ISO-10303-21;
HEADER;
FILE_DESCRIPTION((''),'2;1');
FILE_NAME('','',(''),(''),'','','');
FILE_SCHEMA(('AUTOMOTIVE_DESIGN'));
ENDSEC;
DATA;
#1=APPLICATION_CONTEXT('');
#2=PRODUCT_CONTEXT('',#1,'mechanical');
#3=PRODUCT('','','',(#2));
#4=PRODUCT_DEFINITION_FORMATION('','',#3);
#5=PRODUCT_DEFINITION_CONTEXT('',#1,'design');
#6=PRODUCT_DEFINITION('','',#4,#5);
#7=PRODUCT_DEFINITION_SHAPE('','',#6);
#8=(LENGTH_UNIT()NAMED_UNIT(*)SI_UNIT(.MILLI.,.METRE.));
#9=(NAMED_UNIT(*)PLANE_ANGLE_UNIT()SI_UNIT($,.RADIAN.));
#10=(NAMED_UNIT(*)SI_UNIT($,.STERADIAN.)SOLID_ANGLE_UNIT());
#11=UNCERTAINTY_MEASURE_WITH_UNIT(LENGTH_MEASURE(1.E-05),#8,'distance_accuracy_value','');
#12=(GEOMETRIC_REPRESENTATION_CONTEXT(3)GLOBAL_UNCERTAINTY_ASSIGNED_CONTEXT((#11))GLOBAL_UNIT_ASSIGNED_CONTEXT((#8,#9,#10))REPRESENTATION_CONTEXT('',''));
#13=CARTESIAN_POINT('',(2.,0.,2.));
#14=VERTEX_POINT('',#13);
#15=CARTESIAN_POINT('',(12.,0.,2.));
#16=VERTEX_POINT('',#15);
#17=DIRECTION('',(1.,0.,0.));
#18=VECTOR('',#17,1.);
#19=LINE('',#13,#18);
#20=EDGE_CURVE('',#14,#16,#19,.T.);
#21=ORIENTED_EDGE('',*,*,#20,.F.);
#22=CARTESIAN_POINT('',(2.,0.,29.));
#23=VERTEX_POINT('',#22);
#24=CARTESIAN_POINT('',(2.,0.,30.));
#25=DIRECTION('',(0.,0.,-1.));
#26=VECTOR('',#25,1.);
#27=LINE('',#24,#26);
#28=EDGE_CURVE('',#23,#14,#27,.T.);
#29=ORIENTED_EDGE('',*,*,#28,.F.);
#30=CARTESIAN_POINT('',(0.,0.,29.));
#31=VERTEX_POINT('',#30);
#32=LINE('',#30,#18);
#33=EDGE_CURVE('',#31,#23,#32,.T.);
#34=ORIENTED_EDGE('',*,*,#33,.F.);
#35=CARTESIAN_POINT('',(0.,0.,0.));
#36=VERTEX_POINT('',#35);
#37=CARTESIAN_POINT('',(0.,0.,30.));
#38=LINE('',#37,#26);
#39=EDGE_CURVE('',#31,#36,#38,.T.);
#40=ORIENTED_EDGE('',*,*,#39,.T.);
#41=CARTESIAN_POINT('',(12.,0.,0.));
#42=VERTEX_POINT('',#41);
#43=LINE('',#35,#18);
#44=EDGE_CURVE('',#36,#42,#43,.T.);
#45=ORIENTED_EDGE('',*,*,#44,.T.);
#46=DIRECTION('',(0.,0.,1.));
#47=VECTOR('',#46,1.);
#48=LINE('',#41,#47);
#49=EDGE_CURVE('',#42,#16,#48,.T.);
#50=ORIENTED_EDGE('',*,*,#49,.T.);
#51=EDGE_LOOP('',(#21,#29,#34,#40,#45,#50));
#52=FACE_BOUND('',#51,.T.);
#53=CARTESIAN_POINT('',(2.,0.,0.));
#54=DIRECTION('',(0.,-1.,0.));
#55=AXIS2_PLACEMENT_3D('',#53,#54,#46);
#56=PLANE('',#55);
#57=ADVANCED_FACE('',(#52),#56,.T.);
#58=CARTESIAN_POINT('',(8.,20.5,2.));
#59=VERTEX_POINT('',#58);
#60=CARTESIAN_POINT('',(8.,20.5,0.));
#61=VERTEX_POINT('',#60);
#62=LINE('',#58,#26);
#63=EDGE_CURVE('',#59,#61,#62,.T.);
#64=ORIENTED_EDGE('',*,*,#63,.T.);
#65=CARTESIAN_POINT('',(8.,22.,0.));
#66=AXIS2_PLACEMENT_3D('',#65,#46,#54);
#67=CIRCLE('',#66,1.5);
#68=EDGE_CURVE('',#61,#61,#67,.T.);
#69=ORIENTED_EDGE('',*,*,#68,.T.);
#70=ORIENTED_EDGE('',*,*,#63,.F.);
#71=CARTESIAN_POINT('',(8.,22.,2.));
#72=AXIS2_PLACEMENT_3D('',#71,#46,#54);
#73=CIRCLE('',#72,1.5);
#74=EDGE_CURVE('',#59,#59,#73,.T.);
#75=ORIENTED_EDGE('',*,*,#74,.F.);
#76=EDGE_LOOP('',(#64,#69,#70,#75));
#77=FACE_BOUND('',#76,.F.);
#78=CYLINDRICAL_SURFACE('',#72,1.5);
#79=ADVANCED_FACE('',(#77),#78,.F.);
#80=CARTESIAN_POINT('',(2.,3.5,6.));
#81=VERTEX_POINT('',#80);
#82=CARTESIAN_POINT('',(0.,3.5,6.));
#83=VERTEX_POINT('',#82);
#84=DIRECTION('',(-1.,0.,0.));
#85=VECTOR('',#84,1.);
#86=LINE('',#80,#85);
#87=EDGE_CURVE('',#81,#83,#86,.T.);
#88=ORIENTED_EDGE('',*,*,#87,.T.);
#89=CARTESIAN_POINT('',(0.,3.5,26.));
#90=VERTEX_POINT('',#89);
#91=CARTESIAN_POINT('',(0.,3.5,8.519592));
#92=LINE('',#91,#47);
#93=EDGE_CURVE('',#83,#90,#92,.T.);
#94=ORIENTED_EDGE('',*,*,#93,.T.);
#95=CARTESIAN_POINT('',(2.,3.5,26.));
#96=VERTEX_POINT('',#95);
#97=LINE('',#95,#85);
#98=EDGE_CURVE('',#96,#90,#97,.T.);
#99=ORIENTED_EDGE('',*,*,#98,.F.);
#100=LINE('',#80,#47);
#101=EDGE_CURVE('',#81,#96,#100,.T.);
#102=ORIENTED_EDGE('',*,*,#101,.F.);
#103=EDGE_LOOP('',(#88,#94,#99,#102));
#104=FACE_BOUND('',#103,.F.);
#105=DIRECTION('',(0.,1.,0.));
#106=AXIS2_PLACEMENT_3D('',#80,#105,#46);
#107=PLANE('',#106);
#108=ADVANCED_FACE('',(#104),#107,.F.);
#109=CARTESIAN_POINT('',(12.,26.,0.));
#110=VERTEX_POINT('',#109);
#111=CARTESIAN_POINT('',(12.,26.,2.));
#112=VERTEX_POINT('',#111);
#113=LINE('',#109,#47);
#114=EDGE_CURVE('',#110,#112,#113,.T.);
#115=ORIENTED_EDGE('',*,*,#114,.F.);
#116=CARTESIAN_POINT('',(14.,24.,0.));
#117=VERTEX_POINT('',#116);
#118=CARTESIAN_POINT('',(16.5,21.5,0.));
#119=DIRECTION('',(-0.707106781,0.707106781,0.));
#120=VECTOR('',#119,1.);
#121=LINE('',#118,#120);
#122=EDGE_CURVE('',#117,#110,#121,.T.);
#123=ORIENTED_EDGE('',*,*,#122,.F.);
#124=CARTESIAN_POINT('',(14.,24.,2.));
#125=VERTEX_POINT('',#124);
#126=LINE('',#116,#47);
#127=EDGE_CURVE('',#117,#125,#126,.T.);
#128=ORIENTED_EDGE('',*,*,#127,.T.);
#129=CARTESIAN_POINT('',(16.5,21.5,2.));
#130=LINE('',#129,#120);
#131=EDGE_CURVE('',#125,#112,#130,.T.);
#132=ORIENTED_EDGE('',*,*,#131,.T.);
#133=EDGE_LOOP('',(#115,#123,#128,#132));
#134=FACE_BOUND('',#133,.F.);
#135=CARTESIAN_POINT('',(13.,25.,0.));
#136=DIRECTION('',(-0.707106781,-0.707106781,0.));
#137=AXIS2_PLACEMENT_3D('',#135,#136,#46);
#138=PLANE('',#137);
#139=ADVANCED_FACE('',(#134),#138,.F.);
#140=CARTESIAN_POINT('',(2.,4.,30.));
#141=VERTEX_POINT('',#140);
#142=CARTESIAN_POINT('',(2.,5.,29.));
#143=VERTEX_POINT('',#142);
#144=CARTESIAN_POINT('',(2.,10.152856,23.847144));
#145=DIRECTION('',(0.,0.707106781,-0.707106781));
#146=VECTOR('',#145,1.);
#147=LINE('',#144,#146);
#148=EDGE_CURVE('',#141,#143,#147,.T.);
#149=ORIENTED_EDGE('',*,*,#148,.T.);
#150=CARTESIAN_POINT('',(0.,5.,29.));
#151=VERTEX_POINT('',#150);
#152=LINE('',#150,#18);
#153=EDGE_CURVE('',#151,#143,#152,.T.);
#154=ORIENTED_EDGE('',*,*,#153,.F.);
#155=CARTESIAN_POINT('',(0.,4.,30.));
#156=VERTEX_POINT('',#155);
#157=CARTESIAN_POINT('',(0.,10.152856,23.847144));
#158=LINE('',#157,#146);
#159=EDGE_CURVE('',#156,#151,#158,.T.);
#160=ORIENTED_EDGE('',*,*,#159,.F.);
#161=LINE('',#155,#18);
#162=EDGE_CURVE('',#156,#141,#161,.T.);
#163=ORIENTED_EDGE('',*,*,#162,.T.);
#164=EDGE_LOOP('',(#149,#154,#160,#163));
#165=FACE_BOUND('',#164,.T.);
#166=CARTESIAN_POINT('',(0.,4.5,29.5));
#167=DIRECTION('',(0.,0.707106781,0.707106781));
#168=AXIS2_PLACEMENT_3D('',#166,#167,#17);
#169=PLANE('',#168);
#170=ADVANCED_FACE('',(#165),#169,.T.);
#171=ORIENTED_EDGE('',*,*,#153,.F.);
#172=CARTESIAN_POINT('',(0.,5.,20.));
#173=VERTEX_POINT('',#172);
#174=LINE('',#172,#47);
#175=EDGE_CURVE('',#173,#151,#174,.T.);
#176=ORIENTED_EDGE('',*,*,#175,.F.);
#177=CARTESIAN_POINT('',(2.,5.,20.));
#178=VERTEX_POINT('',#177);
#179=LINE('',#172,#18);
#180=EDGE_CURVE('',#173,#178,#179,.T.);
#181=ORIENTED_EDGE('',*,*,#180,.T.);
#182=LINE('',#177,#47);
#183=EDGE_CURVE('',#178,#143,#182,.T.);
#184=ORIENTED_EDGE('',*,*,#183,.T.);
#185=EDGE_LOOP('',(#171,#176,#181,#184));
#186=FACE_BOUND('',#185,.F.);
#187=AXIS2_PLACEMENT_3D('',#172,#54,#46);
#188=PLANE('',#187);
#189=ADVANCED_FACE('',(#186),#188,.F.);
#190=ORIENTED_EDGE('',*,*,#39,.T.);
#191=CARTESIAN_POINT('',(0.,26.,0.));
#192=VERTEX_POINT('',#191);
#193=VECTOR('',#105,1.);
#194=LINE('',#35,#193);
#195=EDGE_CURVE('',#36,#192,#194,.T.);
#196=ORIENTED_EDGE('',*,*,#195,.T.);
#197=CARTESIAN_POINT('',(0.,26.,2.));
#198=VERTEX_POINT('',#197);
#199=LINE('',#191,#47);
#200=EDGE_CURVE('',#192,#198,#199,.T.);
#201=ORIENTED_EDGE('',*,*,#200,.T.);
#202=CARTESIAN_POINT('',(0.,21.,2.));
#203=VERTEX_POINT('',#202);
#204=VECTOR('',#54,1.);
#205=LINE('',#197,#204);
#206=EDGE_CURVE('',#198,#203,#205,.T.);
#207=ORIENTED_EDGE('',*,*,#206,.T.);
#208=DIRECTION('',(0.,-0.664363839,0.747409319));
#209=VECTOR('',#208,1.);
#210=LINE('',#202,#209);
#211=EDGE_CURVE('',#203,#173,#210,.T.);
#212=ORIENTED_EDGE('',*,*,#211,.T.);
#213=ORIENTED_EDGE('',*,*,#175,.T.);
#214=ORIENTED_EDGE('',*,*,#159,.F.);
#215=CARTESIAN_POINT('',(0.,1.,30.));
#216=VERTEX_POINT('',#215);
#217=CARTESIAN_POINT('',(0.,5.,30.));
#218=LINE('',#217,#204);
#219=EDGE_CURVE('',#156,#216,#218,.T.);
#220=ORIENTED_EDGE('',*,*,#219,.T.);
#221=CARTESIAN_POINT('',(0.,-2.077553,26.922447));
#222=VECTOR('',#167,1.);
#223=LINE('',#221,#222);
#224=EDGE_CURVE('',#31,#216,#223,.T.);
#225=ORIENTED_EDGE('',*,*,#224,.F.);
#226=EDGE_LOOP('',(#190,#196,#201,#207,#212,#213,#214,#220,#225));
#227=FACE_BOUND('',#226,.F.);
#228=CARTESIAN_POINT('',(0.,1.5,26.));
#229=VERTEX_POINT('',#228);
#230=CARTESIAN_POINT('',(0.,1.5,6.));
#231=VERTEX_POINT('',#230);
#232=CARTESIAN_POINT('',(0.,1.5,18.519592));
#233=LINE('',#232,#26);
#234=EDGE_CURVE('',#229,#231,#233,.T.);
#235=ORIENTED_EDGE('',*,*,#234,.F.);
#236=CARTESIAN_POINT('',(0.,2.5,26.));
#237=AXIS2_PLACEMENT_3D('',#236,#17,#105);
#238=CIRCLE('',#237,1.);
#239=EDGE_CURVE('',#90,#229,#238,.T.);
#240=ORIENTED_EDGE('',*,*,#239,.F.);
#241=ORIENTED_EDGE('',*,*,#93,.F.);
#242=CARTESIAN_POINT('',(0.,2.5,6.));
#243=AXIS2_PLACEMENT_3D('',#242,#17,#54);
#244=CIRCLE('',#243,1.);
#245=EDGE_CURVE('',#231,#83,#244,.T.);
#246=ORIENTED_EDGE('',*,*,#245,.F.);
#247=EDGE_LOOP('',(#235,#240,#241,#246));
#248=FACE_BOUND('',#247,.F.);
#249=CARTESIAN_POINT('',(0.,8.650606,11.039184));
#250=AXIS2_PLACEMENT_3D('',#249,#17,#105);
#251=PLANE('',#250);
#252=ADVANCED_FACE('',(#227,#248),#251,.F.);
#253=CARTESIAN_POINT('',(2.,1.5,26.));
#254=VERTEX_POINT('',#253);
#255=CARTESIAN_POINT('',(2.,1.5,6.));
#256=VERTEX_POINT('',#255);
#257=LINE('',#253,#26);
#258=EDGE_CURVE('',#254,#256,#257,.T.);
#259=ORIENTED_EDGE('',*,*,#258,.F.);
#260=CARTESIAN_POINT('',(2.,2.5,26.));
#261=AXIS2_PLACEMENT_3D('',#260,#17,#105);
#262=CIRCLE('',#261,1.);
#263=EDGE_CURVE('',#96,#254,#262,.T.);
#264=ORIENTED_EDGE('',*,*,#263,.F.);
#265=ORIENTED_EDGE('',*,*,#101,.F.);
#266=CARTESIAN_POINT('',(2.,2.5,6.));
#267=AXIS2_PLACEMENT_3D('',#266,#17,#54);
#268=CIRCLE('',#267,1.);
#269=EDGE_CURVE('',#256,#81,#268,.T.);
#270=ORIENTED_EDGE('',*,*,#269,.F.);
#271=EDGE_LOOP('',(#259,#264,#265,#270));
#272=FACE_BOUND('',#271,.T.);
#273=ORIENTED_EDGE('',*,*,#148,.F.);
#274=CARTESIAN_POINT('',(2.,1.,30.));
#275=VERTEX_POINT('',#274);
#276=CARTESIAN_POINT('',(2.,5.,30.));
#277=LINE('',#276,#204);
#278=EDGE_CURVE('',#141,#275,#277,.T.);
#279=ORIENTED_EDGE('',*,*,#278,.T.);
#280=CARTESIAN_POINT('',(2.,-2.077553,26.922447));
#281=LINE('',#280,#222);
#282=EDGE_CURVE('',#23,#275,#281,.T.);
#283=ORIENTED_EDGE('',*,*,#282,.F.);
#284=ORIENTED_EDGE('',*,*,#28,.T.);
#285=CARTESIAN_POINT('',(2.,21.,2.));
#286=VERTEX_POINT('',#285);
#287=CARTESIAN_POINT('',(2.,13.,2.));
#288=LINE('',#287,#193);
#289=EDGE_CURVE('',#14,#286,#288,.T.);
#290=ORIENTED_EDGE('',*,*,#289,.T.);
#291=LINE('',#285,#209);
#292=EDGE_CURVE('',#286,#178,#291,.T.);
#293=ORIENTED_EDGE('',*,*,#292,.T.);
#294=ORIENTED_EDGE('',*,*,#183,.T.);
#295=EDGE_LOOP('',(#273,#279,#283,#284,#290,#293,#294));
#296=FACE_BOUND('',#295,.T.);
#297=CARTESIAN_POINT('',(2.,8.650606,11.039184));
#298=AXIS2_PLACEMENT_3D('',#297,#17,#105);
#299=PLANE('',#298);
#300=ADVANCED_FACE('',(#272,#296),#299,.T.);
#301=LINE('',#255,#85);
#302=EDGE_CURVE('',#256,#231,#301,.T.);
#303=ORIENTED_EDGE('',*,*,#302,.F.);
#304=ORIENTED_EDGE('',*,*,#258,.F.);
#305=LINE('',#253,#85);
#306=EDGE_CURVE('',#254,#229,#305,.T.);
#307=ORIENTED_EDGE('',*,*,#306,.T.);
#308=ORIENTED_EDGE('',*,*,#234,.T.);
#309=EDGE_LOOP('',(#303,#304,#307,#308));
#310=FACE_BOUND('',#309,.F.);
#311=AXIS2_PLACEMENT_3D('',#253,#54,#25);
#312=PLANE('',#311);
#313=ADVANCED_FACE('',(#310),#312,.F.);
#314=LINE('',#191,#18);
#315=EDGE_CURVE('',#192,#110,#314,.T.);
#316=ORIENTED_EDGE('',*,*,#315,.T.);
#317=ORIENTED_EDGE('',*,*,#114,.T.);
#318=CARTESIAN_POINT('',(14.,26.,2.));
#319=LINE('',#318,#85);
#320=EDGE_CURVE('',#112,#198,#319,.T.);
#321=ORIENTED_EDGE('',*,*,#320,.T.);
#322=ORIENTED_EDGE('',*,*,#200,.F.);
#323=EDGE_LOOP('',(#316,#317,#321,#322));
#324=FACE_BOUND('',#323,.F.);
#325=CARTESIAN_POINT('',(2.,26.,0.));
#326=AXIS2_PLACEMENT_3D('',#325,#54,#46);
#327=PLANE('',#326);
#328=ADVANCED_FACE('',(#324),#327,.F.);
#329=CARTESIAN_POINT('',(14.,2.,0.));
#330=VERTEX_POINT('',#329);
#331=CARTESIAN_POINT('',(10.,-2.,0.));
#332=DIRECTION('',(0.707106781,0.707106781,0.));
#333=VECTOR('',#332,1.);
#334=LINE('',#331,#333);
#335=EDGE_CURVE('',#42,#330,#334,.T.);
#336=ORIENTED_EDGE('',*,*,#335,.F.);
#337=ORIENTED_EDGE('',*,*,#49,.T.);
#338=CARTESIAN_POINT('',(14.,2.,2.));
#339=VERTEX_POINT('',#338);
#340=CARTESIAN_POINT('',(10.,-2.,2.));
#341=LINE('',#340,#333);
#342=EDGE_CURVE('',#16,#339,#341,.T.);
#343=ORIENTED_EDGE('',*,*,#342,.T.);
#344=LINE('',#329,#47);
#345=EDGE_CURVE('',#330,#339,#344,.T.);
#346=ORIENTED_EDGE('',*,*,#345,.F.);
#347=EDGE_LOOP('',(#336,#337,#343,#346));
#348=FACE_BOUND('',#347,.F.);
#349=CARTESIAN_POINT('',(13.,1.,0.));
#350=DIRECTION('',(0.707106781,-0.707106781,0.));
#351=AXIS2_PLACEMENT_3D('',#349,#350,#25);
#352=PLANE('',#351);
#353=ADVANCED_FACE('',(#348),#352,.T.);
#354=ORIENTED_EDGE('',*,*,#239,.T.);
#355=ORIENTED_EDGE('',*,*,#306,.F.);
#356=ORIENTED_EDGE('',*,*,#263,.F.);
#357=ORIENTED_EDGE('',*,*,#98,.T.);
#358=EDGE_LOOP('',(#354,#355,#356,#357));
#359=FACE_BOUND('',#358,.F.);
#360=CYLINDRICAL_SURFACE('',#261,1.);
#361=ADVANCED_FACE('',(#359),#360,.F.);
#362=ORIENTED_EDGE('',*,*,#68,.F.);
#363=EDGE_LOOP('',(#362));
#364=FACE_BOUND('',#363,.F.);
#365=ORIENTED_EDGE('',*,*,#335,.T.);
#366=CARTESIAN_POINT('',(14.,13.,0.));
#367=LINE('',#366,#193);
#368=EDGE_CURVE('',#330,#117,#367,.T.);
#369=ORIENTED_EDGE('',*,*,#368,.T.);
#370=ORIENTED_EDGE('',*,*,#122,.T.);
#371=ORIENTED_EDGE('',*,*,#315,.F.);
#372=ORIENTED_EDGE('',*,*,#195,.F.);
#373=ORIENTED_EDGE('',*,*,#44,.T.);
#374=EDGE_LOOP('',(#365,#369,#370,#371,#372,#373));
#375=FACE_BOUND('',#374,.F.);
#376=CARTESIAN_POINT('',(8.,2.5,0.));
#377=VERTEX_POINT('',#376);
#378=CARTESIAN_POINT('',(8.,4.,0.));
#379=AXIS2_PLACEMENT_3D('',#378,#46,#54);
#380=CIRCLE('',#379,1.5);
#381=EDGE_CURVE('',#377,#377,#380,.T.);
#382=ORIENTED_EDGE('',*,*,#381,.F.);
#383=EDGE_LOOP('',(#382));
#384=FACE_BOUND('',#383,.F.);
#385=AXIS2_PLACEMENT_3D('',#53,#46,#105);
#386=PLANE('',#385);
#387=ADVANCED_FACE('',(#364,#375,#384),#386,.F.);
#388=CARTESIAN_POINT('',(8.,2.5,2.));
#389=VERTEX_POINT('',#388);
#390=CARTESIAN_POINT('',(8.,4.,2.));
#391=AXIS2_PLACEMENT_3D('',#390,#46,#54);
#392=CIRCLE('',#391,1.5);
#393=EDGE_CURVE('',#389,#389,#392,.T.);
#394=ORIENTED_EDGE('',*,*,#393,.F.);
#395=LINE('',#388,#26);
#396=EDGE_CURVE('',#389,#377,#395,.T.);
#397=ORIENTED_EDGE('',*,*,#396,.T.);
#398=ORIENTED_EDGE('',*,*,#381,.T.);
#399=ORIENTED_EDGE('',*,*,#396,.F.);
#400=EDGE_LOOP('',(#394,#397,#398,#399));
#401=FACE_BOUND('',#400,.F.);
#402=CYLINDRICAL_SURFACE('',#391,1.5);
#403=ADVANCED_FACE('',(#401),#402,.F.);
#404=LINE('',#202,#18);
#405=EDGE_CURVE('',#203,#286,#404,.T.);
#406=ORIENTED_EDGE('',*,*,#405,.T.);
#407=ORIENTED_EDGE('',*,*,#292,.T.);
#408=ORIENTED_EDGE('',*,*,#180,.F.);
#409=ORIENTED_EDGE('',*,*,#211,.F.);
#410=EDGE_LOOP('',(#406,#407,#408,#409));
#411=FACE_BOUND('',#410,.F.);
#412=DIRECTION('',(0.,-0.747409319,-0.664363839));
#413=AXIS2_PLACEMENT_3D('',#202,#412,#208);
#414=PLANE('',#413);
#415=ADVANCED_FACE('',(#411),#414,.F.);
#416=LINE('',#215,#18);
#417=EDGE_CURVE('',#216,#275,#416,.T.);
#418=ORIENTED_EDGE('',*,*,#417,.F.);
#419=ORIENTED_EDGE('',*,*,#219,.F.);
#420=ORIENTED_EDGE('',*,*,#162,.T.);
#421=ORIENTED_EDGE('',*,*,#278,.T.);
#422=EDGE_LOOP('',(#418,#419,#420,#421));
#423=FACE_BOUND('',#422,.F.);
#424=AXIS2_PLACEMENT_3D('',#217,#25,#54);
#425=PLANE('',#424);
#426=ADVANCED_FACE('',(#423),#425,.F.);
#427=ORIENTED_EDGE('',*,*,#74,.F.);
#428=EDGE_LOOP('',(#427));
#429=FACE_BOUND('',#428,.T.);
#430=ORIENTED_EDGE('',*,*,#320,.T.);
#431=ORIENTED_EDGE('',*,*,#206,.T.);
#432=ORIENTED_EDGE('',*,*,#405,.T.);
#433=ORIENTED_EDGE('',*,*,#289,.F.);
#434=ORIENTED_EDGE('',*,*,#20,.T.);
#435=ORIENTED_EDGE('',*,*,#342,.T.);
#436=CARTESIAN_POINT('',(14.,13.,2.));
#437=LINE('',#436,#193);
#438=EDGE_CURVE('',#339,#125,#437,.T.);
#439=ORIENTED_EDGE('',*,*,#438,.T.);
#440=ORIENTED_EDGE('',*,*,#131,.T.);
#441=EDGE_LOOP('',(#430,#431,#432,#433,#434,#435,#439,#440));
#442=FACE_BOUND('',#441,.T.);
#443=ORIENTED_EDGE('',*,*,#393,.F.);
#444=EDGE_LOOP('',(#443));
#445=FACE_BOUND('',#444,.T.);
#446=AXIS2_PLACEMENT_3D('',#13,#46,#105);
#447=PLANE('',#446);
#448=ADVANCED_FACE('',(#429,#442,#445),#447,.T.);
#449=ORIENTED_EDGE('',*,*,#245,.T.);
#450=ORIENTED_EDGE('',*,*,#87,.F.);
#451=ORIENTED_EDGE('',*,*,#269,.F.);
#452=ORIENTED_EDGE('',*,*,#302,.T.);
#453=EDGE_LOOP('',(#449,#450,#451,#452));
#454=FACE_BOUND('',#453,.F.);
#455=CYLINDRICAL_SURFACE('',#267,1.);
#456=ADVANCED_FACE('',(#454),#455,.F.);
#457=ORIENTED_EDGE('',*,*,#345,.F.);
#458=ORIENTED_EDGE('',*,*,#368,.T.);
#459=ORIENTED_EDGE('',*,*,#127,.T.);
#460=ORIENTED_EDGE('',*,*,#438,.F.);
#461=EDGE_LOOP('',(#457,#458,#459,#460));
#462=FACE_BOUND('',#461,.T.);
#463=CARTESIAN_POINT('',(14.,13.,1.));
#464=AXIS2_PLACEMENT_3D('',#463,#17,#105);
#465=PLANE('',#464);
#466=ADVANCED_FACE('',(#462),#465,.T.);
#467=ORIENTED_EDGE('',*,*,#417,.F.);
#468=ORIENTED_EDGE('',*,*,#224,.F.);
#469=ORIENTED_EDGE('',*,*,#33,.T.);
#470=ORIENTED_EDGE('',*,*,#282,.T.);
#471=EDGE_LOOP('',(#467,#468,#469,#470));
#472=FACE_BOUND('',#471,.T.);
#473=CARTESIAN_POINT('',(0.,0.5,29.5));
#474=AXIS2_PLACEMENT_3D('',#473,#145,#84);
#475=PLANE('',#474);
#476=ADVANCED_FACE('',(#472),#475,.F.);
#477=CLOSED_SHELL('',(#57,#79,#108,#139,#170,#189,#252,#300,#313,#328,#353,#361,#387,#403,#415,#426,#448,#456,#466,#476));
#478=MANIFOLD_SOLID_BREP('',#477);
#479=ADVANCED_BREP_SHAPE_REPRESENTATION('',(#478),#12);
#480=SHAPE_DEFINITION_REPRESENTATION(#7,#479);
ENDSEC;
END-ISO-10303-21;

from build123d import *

# Parameters (mm, degrees)
PAD_DEPTH       = 2
SKETCH001_W     = 26
SKETCH001_H     = 2
PAD001_DEPTH    = 12
POCKET_DEPTH    = 5
SKETCH003_R     = 1.5
POCKET001_DEPTH = 5
CHAMFER_SIZE    = 2
CHAMFER001_SIZE = 1


with BuildPart() as part:
    # Sketch → Pad (new body)
    with BuildSketch(Plane.YZ):
        Polygon((0, 30), (0, 0), (26, 0), (26, 2), (21, 2), (5, 20), (5, 30), align=None)
    extrude(amount=PAD_DEPTH)

    # Sketch001 (on Face9 of Pad) → Pad001 (join)
    with BuildSketch(Plane.YZ.offset(2)):
        with Locations((13, 1)):
            Rectangle(SKETCH001_W, SKETCH001_H)
    extrude(amount=PAD001_DEPTH)

    # Sketch002 (on Face5 of Pad001) → Pocket (cut)
    with BuildSketch(Plane.YZ.offset(2)):
        with BuildLine():
            ThreePointArc((3.5, 26), (2.5, 27), (1.5, 26))
            Line((1.5, 26), (1.5, 6))
            ThreePointArc((1.5, 6), (2.5, 5), (3.5, 6))
            Line((3.5, 6), (3.5, 26))
        make_face()
    extrude(amount=-POCKET_DEPTH, mode=Mode.SUBTRACT)

    # Sketch003 (on Face16 of Pocket) → Pocket001 (cut)
    with BuildSketch(Plane(origin=(0, 0, 2), x_dir=(0, -1, 0), z_dir=(0, 0, 1))):
        with Locations((-22, 8)):
            Circle(SKETCH003_R)
        with Locations((-4, 8)):
            Circle(SKETCH003_R)
    extrude(amount=-POCKET001_DEPTH, mode=Mode.SUBTRACT)

    # Chamfer
    chamfer_edges = [part.edges().sort_by_distance(p)[0] for p in [
        (14, 0, 1),
        (14, 26, 1),
    ]]
    chamfer(chamfer_edges, length=CHAMFER_SIZE)

    # Chamfer001
    chamfer001_edges = [part.edges().sort_by_distance(p)[0] for p in [
        (1, 0, 30),
        (1, 5, 30),
    ]]
    chamfer(chamfer001_edges, length=CHAMFER001_SIZE)


solid = part.part
